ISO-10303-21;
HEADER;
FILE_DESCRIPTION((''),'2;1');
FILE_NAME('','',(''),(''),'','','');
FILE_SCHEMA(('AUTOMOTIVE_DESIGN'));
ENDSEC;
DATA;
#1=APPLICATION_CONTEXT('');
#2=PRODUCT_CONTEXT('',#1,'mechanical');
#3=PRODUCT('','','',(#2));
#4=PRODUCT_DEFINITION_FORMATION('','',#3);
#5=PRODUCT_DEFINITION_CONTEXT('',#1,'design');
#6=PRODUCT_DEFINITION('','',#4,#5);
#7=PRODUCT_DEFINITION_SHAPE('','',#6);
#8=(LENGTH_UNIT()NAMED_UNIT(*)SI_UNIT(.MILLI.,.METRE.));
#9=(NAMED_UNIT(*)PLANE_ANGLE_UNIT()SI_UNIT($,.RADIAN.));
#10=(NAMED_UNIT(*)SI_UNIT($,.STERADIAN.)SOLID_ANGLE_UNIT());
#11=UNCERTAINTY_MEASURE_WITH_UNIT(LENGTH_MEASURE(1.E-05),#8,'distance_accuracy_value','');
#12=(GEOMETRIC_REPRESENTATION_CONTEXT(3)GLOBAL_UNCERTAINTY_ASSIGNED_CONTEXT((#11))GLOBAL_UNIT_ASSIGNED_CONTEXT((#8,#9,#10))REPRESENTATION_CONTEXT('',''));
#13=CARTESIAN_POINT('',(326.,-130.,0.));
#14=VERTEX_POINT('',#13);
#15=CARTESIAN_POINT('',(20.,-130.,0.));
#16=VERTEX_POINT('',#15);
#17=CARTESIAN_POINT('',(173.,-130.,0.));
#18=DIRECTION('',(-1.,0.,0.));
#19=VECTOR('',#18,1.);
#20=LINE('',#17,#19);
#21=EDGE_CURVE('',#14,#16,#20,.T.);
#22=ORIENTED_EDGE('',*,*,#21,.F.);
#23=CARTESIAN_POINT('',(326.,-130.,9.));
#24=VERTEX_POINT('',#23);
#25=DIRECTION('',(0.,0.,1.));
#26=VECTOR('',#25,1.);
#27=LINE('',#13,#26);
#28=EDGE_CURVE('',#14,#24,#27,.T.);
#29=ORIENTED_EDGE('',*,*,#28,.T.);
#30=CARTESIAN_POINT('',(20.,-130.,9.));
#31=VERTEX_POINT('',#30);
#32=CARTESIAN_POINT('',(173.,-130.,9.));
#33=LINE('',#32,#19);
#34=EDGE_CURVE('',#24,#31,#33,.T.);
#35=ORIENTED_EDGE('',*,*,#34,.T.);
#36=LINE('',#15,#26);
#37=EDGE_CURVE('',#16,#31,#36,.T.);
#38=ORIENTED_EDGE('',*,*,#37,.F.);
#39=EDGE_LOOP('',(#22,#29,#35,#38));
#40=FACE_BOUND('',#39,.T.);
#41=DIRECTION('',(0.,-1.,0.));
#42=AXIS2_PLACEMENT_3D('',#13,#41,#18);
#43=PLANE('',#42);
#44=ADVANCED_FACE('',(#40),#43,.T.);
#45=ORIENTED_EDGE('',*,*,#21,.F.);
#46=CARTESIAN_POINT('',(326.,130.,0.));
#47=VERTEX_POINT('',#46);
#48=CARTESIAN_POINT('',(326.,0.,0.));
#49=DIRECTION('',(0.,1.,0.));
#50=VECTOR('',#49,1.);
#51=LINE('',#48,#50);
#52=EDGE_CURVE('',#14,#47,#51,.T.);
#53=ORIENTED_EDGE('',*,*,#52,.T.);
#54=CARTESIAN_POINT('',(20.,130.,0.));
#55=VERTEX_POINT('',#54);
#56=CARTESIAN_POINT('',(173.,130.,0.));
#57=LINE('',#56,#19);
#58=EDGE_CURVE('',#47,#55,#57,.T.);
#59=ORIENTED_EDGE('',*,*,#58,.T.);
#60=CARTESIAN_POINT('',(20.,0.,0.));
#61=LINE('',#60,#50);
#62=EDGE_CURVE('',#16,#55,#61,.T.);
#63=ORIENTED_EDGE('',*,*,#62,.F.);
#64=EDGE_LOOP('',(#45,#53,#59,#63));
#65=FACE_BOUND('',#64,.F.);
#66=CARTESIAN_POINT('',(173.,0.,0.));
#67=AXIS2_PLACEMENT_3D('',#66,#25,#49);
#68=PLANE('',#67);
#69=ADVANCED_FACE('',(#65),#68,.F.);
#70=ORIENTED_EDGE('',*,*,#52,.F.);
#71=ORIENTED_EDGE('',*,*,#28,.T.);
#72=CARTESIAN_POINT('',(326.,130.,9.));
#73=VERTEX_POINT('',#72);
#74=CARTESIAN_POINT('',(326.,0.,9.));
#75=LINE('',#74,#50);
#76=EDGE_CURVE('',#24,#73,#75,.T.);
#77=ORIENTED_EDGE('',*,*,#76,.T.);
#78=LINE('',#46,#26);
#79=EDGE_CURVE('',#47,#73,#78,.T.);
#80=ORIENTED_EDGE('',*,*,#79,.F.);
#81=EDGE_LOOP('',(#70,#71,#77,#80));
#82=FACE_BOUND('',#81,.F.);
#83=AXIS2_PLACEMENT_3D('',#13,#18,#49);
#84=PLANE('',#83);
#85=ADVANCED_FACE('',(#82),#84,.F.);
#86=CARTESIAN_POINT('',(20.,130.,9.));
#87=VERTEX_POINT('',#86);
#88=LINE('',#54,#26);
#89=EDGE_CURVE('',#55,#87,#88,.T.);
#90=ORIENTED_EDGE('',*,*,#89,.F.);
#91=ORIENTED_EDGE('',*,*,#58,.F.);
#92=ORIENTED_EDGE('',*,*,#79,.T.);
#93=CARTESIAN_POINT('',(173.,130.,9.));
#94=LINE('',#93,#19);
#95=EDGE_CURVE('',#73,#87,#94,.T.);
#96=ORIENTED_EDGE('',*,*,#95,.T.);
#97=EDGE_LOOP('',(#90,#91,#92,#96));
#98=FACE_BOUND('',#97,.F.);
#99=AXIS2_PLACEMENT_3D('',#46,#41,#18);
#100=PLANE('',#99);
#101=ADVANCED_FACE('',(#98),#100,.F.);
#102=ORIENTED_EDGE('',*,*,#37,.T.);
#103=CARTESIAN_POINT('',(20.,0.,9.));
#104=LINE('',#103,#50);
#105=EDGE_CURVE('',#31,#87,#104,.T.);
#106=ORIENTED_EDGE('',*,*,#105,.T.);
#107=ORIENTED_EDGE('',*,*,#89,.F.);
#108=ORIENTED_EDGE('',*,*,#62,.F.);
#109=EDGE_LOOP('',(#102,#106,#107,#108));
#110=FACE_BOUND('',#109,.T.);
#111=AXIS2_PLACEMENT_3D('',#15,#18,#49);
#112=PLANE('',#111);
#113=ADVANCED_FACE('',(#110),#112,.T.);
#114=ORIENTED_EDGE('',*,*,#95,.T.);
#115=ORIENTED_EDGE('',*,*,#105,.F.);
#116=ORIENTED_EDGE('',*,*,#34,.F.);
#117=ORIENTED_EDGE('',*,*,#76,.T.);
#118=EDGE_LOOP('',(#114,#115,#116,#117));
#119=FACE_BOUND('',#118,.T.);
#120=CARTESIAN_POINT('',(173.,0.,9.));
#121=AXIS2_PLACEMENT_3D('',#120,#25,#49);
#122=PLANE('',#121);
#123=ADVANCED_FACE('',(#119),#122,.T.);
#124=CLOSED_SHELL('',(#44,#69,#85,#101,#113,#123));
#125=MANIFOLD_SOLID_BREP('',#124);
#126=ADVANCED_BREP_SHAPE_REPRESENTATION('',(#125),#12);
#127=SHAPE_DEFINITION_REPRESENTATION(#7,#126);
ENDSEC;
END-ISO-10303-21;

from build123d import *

# Parameters (mm, degrees)
REFINELINEAREXTRUDE_W = 260
REFINELINEAREXTRUDE_H = 306
LINEAREXTRUDE_DEPTH   = 9


with BuildPart() as part:
    # RefineLinearExtrude → LinearExtrude (new body)
    with BuildSketch(Plane(origin=(173, 0, 0), x_dir=(0, 1, 0), z_dir=(0, 0, 1))):
        Rectangle(REFINELINEAREXTRUDE_W, REFINELINEAREXTRUDE_H)
    extrude(amount=LINEAREXTRUDE_DEPTH)


solid = part.part
